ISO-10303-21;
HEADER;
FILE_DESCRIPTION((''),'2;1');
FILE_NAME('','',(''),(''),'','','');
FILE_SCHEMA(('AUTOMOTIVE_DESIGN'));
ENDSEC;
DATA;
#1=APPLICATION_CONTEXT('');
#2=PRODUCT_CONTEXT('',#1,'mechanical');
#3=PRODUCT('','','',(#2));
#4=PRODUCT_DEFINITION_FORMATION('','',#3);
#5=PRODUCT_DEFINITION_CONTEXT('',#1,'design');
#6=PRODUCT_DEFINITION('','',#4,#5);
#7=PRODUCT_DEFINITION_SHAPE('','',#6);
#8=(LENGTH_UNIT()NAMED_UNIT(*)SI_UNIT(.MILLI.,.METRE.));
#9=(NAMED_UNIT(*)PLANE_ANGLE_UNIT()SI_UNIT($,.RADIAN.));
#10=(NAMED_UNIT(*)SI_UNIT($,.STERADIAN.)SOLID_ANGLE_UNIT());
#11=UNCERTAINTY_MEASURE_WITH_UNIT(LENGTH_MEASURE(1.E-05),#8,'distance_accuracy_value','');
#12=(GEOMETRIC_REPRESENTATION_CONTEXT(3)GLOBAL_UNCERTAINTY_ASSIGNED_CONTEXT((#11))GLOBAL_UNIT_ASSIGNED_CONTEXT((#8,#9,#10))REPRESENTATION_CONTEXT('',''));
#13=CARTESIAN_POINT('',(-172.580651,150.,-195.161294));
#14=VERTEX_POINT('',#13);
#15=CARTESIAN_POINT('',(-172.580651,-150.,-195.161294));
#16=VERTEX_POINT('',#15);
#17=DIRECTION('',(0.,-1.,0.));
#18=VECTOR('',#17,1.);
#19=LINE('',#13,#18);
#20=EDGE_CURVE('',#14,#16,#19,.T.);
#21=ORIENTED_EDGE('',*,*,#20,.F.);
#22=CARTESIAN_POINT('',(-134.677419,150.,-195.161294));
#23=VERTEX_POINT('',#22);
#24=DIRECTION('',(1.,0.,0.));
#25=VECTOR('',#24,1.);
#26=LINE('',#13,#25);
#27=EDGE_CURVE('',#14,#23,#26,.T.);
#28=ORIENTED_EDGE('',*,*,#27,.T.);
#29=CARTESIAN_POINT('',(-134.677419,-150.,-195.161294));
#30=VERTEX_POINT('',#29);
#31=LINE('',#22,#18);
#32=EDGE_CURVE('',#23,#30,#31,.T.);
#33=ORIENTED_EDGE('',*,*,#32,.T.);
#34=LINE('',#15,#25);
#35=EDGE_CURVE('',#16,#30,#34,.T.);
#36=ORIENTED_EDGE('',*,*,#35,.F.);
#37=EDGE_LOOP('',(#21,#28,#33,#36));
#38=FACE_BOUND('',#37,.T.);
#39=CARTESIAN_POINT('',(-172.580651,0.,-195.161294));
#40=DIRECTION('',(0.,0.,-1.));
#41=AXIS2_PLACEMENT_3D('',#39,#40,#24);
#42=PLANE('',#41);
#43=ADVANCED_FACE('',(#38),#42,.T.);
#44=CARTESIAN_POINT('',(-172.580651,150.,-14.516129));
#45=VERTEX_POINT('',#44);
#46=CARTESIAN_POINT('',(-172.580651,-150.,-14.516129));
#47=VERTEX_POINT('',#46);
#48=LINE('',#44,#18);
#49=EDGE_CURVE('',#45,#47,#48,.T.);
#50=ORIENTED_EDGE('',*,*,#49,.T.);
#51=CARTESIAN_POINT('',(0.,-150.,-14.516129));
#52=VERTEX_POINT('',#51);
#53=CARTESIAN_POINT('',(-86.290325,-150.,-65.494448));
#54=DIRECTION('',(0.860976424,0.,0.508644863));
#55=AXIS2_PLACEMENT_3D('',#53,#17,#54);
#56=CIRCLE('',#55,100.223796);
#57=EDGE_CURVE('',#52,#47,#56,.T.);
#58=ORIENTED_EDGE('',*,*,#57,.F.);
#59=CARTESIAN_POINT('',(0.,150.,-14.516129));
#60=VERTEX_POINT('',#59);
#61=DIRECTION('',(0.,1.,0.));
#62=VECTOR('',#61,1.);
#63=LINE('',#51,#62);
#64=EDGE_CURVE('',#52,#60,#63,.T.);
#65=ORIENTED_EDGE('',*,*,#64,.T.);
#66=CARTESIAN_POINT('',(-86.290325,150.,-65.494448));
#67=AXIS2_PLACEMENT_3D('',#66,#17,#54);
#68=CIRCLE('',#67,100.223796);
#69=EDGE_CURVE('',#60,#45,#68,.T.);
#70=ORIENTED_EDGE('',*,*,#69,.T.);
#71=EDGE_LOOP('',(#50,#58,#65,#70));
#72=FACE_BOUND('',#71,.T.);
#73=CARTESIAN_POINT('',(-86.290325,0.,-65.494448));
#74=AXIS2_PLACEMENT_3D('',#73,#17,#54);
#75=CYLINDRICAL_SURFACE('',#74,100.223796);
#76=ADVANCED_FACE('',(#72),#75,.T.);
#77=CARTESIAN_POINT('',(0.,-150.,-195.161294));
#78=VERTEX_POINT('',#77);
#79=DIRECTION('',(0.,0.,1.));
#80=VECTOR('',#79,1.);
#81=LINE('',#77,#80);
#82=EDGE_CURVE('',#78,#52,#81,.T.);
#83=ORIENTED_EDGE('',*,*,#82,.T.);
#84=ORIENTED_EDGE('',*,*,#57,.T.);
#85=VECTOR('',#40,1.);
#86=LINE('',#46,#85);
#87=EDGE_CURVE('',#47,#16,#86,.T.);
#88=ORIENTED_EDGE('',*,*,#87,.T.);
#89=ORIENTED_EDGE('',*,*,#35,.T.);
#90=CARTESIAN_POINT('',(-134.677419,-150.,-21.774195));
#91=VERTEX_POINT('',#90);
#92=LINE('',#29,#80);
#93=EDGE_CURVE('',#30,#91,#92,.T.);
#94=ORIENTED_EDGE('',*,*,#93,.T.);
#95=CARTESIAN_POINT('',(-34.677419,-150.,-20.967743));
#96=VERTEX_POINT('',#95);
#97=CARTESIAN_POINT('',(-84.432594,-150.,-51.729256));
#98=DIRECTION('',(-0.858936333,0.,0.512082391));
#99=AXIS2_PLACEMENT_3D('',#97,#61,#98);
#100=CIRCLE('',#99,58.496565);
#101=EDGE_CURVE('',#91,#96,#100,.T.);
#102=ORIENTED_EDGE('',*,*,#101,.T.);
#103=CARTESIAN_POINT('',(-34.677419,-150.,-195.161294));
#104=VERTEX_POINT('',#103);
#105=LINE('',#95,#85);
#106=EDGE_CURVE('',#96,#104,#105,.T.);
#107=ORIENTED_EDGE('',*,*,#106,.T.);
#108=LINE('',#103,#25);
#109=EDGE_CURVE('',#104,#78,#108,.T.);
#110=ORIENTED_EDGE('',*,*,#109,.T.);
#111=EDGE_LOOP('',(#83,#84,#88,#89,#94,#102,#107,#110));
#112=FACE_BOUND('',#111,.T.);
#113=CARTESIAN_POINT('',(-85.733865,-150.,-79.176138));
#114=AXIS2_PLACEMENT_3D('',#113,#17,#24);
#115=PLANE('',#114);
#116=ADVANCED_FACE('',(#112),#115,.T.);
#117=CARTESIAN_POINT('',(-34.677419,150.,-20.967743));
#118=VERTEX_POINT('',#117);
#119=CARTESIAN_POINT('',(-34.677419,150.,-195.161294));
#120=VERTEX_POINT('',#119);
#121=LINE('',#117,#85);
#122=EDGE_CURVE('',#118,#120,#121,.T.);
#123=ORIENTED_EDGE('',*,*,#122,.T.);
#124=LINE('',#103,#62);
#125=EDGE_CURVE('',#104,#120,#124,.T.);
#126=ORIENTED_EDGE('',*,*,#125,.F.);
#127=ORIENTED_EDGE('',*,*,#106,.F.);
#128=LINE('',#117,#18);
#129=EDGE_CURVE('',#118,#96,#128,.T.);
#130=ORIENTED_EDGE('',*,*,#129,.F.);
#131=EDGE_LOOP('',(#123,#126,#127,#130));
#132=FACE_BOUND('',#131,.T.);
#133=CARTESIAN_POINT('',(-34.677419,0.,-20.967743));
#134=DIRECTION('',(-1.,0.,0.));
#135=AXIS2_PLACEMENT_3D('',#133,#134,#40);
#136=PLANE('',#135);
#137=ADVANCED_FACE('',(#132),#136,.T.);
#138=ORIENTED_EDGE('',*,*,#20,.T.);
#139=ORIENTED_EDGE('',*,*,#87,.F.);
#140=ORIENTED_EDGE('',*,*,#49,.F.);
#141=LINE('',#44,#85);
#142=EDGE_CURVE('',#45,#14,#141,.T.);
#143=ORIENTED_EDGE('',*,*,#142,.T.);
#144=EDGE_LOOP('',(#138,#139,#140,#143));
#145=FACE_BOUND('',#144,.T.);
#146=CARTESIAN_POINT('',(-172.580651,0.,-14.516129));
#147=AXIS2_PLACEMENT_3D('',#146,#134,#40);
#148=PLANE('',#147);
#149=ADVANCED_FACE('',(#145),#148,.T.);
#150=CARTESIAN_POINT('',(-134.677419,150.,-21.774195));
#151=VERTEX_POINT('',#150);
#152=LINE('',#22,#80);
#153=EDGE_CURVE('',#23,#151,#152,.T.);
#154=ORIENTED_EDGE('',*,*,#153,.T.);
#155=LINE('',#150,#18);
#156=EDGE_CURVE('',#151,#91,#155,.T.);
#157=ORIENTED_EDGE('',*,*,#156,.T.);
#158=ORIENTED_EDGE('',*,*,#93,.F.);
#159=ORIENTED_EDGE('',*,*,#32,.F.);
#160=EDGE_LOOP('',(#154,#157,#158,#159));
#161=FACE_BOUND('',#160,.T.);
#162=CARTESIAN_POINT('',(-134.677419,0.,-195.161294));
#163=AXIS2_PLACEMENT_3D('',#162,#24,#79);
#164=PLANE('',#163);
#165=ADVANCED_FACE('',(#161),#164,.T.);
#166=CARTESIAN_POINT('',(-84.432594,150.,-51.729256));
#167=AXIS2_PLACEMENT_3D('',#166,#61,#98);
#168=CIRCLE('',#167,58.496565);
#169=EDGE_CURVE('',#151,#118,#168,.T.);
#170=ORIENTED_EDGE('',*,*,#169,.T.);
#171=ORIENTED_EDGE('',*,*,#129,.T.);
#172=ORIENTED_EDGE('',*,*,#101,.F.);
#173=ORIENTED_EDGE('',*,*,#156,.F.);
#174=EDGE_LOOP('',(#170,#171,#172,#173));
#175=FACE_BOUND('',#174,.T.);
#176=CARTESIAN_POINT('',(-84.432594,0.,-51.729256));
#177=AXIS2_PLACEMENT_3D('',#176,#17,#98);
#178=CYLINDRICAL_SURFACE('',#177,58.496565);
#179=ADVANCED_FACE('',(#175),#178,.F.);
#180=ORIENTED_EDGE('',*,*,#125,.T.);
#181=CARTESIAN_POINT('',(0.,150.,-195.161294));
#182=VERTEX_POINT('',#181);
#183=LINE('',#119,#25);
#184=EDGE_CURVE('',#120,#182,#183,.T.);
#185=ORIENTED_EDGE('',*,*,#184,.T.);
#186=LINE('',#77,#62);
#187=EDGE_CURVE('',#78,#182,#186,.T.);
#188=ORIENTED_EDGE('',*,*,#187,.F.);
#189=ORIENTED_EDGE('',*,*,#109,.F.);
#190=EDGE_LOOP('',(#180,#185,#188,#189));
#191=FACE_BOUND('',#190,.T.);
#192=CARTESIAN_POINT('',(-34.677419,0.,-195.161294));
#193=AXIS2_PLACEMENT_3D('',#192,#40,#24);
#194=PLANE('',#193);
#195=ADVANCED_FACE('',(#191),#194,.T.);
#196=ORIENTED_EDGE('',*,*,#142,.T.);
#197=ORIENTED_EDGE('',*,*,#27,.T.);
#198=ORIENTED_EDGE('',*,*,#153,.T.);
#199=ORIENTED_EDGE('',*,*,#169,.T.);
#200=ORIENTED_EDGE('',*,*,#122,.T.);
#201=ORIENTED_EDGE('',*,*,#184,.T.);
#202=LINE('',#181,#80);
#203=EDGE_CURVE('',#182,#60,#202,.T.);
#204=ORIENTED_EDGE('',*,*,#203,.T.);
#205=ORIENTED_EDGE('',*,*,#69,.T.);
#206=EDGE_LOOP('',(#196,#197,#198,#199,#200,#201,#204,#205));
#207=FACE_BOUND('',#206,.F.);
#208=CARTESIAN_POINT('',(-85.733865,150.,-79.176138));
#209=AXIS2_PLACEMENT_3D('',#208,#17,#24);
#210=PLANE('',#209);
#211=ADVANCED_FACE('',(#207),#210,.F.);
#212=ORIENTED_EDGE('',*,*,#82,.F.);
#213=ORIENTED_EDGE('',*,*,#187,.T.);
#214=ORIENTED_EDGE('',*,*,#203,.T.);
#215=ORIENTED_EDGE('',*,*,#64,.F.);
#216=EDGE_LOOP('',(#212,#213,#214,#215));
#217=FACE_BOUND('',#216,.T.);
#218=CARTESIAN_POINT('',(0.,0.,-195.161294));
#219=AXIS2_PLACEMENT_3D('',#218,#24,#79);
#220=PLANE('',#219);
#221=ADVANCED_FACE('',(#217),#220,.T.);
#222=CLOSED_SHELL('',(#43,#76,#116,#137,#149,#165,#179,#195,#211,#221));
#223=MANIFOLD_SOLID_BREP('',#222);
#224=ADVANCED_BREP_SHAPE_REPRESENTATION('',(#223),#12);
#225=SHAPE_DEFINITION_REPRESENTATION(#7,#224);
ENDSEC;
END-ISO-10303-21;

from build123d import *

# Parameters (mm, degrees)
F1_DEPTH = 150
F2_DEPTH = 150


with BuildPart() as f1:
    # F0 (on Front) → F1 (new body)
    with BuildSketch(Plane.XZ):
        with BuildLine():
            ThreePointArc((0, -14.516129), (-86.290326, 34.729348), (-172.580651, -14.516129))
            Line((-172.580651, -14.516129), (-172.580651, -195.161294))
            Line((-172.580651, -195.161294), (-134.677419, -195.161294))
            Line((-134.677419, -195.161294), (-134.677419, -21.774195))
            ThreePointArc((-134.677419, -21.774195), (-84.904325, 6.765407), (-34.677419, -20.967743))
            Line((-34.677419, -20.967743), (-34.677419, -195.161294))
            Line((-34.677419, -195.161294), (0, -195.161294))
            Line((0, -195.161294), (0, -14.516129))
        make_face()
    extrude(amount=F1_DEPTH)

    # F0 (on Front) + F1_face (on face) → F2 (join)
    with BuildSketch(Plane.XZ):
        with BuildLine():
            ThreePointArc((0, -14.516129), (-86.290326, 34.729348), (-172.580651, -14.516129))
            Line((-172.580651, -14.516129), (-172.580651, -195.161294))
            Line((-172.580651, -195.161294), (-134.677419, -195.161294))
            Line((-134.677419, -195.161294), (-134.677419, -21.774195))
            ThreePointArc((-134.677419, -21.774195), (-84.904325, 6.765407), (-34.677419, -20.967743))
            Line((-34.677419, -20.967743), (-34.677419, -195.161294))
            Line((-34.677419, -195.161294), (0, -195.161294))
            Line((0, -195.161294), (0, -14.516129))
        make_face()
    with BuildSketch(Plane(origin=(-88.070113, 0, -74.786609), x_dir=(1, 0, 0), z_dir=(0, 1, 0))):
        with BuildLine():
            ThreePointArc((-84.510538, -60.27048), (1.779787, -109.515957), (88.070113, -60.27048))
            Line((88.070113, -60.27048), (88.070113, 120.374685))
            Line((88.070113, 120.374685), (53.392694, 120.374685))
            Line((53.392694, 120.374685), (53.392694, -53.818866))
            ThreePointArc((53.392694, -53.818866), (3.165788, -81.552016), (-46.607306, -53.012414))
            Line((-46.607306, -53.012414), (-46.607306, 120.374685))
            Line((-46.607306, 120.374685), (-84.510538, 120.374685))
            Line((-84.510538, 120.374685), (-84.510538, -60.27048))
        make_face()
    extrude(amount=-F2_DEPTH)


solid = f1.part
